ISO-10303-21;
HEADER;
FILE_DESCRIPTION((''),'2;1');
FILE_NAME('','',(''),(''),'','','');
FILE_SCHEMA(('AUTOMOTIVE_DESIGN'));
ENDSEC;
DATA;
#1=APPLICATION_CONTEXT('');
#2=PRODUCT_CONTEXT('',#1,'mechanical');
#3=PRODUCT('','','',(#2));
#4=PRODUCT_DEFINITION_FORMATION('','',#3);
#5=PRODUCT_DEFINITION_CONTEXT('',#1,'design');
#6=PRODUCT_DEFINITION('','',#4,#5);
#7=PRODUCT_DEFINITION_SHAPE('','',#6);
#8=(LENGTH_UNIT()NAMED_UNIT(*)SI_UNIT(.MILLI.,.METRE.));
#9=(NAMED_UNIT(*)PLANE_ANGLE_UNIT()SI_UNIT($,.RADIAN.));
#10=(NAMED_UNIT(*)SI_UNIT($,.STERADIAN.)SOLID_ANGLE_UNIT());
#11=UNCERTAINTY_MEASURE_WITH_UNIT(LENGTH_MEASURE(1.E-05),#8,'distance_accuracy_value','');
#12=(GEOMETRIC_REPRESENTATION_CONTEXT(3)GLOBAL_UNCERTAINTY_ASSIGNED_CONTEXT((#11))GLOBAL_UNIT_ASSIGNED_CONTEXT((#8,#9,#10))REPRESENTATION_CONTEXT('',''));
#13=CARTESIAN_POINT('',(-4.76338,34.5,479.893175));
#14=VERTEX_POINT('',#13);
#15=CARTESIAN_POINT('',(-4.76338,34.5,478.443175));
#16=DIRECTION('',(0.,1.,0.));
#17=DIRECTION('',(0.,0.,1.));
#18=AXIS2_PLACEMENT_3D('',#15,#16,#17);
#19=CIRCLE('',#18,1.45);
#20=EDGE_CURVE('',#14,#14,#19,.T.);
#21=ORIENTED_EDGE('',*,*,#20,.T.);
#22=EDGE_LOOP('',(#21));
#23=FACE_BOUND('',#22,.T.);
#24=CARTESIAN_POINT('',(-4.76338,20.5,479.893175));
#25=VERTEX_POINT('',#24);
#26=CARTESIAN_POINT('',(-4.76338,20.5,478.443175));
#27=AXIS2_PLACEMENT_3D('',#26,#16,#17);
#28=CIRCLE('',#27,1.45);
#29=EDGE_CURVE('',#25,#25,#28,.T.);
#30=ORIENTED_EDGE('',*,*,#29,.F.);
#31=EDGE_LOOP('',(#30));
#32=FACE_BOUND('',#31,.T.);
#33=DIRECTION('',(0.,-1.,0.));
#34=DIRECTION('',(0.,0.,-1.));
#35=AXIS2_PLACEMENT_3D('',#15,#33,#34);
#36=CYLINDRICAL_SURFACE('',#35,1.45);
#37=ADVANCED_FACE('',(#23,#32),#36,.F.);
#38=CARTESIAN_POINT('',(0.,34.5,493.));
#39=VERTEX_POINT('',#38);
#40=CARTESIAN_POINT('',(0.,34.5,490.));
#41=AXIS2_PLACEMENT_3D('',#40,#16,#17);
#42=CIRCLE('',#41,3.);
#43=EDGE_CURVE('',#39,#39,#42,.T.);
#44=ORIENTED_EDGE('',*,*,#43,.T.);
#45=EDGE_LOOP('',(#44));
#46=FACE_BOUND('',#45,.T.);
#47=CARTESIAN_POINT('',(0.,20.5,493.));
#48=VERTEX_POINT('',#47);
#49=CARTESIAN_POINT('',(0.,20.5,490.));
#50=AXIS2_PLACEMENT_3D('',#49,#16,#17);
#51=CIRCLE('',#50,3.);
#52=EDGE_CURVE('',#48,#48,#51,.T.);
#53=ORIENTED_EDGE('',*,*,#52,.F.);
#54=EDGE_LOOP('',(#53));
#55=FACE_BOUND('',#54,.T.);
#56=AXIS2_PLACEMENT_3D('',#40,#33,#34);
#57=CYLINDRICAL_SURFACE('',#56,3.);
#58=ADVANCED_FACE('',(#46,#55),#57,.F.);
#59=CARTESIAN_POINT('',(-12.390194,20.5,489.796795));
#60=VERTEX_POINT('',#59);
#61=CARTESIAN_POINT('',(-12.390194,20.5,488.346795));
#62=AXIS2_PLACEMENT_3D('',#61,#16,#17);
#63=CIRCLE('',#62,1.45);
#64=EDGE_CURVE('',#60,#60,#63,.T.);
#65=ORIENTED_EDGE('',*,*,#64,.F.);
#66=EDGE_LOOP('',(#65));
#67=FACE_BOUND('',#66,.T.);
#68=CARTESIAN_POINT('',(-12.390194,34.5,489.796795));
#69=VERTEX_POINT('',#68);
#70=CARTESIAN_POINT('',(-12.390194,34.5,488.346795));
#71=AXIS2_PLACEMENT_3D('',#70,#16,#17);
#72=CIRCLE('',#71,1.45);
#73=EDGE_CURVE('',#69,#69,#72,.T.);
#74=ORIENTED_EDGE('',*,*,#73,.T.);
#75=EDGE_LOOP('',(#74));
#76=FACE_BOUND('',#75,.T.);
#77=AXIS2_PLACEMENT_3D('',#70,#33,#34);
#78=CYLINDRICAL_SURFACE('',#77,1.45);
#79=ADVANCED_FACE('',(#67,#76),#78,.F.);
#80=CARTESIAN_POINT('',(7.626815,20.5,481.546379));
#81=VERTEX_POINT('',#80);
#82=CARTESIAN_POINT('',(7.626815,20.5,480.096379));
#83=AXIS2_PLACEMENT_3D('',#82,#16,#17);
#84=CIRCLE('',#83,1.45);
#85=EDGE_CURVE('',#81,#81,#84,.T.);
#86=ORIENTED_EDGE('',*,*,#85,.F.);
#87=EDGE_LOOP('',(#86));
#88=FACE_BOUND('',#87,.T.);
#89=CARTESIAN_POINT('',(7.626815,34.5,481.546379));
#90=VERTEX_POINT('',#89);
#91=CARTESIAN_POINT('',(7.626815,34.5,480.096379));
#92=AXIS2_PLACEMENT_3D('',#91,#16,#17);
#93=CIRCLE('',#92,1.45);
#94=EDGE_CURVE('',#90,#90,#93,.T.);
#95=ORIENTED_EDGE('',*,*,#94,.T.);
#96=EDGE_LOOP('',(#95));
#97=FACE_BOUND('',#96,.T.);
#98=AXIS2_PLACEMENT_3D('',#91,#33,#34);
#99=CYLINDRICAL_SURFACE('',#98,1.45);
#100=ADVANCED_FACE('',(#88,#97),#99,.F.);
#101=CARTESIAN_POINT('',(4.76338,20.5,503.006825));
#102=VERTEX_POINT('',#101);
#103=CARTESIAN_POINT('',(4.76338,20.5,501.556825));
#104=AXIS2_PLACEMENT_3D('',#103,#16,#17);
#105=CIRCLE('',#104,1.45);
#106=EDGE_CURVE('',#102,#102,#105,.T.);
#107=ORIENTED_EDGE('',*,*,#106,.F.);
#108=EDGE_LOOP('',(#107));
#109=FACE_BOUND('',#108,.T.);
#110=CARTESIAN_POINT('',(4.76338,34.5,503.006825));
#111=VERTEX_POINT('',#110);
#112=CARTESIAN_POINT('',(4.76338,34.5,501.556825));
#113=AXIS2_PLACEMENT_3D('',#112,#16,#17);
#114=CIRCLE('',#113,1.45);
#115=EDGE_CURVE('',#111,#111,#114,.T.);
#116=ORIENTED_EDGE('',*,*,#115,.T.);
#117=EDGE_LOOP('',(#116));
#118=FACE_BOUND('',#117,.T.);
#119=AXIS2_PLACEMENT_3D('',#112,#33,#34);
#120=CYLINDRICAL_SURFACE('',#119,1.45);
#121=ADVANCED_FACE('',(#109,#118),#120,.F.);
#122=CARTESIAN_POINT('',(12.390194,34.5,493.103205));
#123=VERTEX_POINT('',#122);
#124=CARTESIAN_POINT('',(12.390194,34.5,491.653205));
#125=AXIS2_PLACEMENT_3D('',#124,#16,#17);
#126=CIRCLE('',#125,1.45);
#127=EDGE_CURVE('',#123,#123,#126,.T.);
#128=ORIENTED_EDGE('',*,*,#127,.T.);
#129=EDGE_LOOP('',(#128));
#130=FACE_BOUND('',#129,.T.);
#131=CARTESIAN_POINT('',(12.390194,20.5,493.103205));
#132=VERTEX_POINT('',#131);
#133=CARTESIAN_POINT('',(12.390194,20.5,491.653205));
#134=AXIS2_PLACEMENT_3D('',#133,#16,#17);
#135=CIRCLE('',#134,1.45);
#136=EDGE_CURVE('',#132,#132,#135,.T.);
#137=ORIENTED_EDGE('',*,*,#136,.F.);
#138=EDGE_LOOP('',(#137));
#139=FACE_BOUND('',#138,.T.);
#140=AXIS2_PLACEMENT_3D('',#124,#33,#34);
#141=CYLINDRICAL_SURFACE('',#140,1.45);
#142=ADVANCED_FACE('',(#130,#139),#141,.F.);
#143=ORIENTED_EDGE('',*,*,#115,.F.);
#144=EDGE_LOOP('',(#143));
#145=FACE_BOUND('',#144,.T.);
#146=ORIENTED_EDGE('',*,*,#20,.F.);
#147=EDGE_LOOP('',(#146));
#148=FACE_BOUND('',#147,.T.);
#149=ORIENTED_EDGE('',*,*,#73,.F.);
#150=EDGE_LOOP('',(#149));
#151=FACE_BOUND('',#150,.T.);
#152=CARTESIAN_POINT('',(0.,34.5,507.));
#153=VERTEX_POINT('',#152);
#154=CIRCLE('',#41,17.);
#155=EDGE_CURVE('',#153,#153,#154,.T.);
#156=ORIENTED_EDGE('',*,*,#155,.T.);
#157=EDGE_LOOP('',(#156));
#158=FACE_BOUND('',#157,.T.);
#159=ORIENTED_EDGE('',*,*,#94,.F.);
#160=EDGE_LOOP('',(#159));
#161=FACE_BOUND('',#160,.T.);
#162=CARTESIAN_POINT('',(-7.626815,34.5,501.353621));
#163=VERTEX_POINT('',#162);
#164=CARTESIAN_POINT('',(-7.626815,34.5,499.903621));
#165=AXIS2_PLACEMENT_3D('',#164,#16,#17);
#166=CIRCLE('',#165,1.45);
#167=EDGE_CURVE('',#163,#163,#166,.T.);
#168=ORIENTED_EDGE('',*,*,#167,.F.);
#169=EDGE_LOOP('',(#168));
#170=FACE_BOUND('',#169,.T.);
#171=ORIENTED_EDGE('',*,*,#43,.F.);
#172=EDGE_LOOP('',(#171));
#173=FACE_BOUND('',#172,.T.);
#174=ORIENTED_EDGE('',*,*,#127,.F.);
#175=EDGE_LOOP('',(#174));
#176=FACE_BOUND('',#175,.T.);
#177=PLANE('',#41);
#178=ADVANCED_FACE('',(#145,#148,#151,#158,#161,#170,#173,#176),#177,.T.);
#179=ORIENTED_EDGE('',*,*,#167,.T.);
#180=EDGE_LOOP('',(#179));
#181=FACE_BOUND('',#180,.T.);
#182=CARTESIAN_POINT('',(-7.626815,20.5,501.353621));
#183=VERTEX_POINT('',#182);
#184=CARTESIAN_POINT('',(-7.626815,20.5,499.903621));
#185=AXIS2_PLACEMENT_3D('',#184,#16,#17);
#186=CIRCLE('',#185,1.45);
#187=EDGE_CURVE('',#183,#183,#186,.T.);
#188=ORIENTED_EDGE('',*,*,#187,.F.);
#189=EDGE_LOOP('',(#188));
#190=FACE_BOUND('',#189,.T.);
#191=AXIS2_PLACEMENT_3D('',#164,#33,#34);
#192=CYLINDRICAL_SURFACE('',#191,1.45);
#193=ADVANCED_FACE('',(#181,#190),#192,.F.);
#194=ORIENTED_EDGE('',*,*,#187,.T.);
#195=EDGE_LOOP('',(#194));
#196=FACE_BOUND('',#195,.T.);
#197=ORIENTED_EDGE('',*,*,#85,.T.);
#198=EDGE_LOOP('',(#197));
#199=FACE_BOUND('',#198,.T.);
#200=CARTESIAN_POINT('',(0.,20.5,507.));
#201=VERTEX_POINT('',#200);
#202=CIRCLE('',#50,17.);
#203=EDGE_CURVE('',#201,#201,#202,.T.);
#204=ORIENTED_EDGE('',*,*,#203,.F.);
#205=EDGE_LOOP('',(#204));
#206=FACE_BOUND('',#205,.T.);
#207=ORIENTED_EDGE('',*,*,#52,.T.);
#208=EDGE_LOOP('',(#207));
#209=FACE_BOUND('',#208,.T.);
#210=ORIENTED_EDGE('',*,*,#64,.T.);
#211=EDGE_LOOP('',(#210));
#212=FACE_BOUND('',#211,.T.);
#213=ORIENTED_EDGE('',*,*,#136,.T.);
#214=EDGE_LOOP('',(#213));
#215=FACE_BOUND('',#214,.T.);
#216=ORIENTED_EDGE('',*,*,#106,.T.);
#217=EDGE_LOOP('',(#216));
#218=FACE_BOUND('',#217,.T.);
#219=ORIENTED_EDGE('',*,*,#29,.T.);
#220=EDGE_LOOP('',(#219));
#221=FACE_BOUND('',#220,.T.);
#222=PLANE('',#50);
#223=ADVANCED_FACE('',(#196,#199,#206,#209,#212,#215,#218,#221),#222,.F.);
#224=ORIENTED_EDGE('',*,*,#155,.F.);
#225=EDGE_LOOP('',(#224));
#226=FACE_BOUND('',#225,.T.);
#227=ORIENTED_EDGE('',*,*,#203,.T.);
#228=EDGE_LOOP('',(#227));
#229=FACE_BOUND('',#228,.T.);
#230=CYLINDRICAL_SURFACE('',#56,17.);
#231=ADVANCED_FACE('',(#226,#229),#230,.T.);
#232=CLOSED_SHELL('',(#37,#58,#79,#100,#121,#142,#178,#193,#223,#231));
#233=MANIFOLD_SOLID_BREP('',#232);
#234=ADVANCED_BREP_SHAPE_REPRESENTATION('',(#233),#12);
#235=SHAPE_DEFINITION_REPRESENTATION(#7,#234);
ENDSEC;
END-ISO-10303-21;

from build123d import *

# Parameters (mm, degrees)
CUBO_START          = 20.5
SK_CUBO_R           = 17
CUBO_DEPTH          = 14
PASANTES_M2_5_START = 20.5
SK_PASANTES_M2_5_R  = 1.45
PASANTES_M2_5_DEPTH = 14
CENTRO_START        = 20.5
SK_CENTRO_R         = 3
CENTRO_DEPTH        = 14


with BuildPart() as part:
    # Sk_Cubo → Cubo (new body)
    with BuildSketch(Plane(origin=(0, 0, 0), x_dir=(1, 0, 0), z_dir=(0, 1, 0)).offset(CUBO_START)):
        with Locations(Location((0, -490, 0), (0, 0, 270))):
            Circle(SK_CUBO_R)
    extrude(amount=CUBO_DEPTH)

    # Sk_Pasantes_M2-5 → Pasantes_M2-5 (cut)
    with BuildSketch(Plane(origin=(0, 0, 0), x_dir=(1, 0, 0), z_dir=(0, 1, 0)).offset(PASANTES_M2_5_START)):
        with Locations(Location((12.390194253, -491.653204878, 0), (0, 0, 270))):
            Circle(SK_PASANTES_M2_5_R)
        with Locations(Location((4.763379704, -501.55682542, 0), (0, 0, 270))):
            Circle(SK_PASANTES_M2_5_R)
        with Locations(Location((-7.626814549, -499.903620542, 0), (0, 0, 270))):
            Circle(SK_PASANTES_M2_5_R)
        with Locations(Location((-12.390194253, -488.346795122, 0), (0, 0, 270))):
            Circle(SK_PASANTES_M2_5_R)
        with Locations(Location((-4.763379704, -478.44317458, 0), (0, 0, 270))):
            Circle(SK_PASANTES_M2_5_R)
        with Locations(Location((7.626814549, -480.096379458, 0), (0, 0, 270))):
            Circle(SK_PASANTES_M2_5_R)
    extrude(amount=PASANTES_M2_5_DEPTH, mode=Mode.SUBTRACT)

    # Sk_Centro → Centro (cut)
    with BuildSketch(Plane(origin=(0, 0, 0), x_dir=(1, 0, 0), z_dir=(0, 1, 0)).offset(CENTRO_START)):
        with Locations(Location((0, -490, 0), (0, 0, 270))):
            Circle(SK_CENTRO_R)
    extrude(amount=CENTRO_DEPTH, mode=Mode.SUBTRACT)


solid = part.part
